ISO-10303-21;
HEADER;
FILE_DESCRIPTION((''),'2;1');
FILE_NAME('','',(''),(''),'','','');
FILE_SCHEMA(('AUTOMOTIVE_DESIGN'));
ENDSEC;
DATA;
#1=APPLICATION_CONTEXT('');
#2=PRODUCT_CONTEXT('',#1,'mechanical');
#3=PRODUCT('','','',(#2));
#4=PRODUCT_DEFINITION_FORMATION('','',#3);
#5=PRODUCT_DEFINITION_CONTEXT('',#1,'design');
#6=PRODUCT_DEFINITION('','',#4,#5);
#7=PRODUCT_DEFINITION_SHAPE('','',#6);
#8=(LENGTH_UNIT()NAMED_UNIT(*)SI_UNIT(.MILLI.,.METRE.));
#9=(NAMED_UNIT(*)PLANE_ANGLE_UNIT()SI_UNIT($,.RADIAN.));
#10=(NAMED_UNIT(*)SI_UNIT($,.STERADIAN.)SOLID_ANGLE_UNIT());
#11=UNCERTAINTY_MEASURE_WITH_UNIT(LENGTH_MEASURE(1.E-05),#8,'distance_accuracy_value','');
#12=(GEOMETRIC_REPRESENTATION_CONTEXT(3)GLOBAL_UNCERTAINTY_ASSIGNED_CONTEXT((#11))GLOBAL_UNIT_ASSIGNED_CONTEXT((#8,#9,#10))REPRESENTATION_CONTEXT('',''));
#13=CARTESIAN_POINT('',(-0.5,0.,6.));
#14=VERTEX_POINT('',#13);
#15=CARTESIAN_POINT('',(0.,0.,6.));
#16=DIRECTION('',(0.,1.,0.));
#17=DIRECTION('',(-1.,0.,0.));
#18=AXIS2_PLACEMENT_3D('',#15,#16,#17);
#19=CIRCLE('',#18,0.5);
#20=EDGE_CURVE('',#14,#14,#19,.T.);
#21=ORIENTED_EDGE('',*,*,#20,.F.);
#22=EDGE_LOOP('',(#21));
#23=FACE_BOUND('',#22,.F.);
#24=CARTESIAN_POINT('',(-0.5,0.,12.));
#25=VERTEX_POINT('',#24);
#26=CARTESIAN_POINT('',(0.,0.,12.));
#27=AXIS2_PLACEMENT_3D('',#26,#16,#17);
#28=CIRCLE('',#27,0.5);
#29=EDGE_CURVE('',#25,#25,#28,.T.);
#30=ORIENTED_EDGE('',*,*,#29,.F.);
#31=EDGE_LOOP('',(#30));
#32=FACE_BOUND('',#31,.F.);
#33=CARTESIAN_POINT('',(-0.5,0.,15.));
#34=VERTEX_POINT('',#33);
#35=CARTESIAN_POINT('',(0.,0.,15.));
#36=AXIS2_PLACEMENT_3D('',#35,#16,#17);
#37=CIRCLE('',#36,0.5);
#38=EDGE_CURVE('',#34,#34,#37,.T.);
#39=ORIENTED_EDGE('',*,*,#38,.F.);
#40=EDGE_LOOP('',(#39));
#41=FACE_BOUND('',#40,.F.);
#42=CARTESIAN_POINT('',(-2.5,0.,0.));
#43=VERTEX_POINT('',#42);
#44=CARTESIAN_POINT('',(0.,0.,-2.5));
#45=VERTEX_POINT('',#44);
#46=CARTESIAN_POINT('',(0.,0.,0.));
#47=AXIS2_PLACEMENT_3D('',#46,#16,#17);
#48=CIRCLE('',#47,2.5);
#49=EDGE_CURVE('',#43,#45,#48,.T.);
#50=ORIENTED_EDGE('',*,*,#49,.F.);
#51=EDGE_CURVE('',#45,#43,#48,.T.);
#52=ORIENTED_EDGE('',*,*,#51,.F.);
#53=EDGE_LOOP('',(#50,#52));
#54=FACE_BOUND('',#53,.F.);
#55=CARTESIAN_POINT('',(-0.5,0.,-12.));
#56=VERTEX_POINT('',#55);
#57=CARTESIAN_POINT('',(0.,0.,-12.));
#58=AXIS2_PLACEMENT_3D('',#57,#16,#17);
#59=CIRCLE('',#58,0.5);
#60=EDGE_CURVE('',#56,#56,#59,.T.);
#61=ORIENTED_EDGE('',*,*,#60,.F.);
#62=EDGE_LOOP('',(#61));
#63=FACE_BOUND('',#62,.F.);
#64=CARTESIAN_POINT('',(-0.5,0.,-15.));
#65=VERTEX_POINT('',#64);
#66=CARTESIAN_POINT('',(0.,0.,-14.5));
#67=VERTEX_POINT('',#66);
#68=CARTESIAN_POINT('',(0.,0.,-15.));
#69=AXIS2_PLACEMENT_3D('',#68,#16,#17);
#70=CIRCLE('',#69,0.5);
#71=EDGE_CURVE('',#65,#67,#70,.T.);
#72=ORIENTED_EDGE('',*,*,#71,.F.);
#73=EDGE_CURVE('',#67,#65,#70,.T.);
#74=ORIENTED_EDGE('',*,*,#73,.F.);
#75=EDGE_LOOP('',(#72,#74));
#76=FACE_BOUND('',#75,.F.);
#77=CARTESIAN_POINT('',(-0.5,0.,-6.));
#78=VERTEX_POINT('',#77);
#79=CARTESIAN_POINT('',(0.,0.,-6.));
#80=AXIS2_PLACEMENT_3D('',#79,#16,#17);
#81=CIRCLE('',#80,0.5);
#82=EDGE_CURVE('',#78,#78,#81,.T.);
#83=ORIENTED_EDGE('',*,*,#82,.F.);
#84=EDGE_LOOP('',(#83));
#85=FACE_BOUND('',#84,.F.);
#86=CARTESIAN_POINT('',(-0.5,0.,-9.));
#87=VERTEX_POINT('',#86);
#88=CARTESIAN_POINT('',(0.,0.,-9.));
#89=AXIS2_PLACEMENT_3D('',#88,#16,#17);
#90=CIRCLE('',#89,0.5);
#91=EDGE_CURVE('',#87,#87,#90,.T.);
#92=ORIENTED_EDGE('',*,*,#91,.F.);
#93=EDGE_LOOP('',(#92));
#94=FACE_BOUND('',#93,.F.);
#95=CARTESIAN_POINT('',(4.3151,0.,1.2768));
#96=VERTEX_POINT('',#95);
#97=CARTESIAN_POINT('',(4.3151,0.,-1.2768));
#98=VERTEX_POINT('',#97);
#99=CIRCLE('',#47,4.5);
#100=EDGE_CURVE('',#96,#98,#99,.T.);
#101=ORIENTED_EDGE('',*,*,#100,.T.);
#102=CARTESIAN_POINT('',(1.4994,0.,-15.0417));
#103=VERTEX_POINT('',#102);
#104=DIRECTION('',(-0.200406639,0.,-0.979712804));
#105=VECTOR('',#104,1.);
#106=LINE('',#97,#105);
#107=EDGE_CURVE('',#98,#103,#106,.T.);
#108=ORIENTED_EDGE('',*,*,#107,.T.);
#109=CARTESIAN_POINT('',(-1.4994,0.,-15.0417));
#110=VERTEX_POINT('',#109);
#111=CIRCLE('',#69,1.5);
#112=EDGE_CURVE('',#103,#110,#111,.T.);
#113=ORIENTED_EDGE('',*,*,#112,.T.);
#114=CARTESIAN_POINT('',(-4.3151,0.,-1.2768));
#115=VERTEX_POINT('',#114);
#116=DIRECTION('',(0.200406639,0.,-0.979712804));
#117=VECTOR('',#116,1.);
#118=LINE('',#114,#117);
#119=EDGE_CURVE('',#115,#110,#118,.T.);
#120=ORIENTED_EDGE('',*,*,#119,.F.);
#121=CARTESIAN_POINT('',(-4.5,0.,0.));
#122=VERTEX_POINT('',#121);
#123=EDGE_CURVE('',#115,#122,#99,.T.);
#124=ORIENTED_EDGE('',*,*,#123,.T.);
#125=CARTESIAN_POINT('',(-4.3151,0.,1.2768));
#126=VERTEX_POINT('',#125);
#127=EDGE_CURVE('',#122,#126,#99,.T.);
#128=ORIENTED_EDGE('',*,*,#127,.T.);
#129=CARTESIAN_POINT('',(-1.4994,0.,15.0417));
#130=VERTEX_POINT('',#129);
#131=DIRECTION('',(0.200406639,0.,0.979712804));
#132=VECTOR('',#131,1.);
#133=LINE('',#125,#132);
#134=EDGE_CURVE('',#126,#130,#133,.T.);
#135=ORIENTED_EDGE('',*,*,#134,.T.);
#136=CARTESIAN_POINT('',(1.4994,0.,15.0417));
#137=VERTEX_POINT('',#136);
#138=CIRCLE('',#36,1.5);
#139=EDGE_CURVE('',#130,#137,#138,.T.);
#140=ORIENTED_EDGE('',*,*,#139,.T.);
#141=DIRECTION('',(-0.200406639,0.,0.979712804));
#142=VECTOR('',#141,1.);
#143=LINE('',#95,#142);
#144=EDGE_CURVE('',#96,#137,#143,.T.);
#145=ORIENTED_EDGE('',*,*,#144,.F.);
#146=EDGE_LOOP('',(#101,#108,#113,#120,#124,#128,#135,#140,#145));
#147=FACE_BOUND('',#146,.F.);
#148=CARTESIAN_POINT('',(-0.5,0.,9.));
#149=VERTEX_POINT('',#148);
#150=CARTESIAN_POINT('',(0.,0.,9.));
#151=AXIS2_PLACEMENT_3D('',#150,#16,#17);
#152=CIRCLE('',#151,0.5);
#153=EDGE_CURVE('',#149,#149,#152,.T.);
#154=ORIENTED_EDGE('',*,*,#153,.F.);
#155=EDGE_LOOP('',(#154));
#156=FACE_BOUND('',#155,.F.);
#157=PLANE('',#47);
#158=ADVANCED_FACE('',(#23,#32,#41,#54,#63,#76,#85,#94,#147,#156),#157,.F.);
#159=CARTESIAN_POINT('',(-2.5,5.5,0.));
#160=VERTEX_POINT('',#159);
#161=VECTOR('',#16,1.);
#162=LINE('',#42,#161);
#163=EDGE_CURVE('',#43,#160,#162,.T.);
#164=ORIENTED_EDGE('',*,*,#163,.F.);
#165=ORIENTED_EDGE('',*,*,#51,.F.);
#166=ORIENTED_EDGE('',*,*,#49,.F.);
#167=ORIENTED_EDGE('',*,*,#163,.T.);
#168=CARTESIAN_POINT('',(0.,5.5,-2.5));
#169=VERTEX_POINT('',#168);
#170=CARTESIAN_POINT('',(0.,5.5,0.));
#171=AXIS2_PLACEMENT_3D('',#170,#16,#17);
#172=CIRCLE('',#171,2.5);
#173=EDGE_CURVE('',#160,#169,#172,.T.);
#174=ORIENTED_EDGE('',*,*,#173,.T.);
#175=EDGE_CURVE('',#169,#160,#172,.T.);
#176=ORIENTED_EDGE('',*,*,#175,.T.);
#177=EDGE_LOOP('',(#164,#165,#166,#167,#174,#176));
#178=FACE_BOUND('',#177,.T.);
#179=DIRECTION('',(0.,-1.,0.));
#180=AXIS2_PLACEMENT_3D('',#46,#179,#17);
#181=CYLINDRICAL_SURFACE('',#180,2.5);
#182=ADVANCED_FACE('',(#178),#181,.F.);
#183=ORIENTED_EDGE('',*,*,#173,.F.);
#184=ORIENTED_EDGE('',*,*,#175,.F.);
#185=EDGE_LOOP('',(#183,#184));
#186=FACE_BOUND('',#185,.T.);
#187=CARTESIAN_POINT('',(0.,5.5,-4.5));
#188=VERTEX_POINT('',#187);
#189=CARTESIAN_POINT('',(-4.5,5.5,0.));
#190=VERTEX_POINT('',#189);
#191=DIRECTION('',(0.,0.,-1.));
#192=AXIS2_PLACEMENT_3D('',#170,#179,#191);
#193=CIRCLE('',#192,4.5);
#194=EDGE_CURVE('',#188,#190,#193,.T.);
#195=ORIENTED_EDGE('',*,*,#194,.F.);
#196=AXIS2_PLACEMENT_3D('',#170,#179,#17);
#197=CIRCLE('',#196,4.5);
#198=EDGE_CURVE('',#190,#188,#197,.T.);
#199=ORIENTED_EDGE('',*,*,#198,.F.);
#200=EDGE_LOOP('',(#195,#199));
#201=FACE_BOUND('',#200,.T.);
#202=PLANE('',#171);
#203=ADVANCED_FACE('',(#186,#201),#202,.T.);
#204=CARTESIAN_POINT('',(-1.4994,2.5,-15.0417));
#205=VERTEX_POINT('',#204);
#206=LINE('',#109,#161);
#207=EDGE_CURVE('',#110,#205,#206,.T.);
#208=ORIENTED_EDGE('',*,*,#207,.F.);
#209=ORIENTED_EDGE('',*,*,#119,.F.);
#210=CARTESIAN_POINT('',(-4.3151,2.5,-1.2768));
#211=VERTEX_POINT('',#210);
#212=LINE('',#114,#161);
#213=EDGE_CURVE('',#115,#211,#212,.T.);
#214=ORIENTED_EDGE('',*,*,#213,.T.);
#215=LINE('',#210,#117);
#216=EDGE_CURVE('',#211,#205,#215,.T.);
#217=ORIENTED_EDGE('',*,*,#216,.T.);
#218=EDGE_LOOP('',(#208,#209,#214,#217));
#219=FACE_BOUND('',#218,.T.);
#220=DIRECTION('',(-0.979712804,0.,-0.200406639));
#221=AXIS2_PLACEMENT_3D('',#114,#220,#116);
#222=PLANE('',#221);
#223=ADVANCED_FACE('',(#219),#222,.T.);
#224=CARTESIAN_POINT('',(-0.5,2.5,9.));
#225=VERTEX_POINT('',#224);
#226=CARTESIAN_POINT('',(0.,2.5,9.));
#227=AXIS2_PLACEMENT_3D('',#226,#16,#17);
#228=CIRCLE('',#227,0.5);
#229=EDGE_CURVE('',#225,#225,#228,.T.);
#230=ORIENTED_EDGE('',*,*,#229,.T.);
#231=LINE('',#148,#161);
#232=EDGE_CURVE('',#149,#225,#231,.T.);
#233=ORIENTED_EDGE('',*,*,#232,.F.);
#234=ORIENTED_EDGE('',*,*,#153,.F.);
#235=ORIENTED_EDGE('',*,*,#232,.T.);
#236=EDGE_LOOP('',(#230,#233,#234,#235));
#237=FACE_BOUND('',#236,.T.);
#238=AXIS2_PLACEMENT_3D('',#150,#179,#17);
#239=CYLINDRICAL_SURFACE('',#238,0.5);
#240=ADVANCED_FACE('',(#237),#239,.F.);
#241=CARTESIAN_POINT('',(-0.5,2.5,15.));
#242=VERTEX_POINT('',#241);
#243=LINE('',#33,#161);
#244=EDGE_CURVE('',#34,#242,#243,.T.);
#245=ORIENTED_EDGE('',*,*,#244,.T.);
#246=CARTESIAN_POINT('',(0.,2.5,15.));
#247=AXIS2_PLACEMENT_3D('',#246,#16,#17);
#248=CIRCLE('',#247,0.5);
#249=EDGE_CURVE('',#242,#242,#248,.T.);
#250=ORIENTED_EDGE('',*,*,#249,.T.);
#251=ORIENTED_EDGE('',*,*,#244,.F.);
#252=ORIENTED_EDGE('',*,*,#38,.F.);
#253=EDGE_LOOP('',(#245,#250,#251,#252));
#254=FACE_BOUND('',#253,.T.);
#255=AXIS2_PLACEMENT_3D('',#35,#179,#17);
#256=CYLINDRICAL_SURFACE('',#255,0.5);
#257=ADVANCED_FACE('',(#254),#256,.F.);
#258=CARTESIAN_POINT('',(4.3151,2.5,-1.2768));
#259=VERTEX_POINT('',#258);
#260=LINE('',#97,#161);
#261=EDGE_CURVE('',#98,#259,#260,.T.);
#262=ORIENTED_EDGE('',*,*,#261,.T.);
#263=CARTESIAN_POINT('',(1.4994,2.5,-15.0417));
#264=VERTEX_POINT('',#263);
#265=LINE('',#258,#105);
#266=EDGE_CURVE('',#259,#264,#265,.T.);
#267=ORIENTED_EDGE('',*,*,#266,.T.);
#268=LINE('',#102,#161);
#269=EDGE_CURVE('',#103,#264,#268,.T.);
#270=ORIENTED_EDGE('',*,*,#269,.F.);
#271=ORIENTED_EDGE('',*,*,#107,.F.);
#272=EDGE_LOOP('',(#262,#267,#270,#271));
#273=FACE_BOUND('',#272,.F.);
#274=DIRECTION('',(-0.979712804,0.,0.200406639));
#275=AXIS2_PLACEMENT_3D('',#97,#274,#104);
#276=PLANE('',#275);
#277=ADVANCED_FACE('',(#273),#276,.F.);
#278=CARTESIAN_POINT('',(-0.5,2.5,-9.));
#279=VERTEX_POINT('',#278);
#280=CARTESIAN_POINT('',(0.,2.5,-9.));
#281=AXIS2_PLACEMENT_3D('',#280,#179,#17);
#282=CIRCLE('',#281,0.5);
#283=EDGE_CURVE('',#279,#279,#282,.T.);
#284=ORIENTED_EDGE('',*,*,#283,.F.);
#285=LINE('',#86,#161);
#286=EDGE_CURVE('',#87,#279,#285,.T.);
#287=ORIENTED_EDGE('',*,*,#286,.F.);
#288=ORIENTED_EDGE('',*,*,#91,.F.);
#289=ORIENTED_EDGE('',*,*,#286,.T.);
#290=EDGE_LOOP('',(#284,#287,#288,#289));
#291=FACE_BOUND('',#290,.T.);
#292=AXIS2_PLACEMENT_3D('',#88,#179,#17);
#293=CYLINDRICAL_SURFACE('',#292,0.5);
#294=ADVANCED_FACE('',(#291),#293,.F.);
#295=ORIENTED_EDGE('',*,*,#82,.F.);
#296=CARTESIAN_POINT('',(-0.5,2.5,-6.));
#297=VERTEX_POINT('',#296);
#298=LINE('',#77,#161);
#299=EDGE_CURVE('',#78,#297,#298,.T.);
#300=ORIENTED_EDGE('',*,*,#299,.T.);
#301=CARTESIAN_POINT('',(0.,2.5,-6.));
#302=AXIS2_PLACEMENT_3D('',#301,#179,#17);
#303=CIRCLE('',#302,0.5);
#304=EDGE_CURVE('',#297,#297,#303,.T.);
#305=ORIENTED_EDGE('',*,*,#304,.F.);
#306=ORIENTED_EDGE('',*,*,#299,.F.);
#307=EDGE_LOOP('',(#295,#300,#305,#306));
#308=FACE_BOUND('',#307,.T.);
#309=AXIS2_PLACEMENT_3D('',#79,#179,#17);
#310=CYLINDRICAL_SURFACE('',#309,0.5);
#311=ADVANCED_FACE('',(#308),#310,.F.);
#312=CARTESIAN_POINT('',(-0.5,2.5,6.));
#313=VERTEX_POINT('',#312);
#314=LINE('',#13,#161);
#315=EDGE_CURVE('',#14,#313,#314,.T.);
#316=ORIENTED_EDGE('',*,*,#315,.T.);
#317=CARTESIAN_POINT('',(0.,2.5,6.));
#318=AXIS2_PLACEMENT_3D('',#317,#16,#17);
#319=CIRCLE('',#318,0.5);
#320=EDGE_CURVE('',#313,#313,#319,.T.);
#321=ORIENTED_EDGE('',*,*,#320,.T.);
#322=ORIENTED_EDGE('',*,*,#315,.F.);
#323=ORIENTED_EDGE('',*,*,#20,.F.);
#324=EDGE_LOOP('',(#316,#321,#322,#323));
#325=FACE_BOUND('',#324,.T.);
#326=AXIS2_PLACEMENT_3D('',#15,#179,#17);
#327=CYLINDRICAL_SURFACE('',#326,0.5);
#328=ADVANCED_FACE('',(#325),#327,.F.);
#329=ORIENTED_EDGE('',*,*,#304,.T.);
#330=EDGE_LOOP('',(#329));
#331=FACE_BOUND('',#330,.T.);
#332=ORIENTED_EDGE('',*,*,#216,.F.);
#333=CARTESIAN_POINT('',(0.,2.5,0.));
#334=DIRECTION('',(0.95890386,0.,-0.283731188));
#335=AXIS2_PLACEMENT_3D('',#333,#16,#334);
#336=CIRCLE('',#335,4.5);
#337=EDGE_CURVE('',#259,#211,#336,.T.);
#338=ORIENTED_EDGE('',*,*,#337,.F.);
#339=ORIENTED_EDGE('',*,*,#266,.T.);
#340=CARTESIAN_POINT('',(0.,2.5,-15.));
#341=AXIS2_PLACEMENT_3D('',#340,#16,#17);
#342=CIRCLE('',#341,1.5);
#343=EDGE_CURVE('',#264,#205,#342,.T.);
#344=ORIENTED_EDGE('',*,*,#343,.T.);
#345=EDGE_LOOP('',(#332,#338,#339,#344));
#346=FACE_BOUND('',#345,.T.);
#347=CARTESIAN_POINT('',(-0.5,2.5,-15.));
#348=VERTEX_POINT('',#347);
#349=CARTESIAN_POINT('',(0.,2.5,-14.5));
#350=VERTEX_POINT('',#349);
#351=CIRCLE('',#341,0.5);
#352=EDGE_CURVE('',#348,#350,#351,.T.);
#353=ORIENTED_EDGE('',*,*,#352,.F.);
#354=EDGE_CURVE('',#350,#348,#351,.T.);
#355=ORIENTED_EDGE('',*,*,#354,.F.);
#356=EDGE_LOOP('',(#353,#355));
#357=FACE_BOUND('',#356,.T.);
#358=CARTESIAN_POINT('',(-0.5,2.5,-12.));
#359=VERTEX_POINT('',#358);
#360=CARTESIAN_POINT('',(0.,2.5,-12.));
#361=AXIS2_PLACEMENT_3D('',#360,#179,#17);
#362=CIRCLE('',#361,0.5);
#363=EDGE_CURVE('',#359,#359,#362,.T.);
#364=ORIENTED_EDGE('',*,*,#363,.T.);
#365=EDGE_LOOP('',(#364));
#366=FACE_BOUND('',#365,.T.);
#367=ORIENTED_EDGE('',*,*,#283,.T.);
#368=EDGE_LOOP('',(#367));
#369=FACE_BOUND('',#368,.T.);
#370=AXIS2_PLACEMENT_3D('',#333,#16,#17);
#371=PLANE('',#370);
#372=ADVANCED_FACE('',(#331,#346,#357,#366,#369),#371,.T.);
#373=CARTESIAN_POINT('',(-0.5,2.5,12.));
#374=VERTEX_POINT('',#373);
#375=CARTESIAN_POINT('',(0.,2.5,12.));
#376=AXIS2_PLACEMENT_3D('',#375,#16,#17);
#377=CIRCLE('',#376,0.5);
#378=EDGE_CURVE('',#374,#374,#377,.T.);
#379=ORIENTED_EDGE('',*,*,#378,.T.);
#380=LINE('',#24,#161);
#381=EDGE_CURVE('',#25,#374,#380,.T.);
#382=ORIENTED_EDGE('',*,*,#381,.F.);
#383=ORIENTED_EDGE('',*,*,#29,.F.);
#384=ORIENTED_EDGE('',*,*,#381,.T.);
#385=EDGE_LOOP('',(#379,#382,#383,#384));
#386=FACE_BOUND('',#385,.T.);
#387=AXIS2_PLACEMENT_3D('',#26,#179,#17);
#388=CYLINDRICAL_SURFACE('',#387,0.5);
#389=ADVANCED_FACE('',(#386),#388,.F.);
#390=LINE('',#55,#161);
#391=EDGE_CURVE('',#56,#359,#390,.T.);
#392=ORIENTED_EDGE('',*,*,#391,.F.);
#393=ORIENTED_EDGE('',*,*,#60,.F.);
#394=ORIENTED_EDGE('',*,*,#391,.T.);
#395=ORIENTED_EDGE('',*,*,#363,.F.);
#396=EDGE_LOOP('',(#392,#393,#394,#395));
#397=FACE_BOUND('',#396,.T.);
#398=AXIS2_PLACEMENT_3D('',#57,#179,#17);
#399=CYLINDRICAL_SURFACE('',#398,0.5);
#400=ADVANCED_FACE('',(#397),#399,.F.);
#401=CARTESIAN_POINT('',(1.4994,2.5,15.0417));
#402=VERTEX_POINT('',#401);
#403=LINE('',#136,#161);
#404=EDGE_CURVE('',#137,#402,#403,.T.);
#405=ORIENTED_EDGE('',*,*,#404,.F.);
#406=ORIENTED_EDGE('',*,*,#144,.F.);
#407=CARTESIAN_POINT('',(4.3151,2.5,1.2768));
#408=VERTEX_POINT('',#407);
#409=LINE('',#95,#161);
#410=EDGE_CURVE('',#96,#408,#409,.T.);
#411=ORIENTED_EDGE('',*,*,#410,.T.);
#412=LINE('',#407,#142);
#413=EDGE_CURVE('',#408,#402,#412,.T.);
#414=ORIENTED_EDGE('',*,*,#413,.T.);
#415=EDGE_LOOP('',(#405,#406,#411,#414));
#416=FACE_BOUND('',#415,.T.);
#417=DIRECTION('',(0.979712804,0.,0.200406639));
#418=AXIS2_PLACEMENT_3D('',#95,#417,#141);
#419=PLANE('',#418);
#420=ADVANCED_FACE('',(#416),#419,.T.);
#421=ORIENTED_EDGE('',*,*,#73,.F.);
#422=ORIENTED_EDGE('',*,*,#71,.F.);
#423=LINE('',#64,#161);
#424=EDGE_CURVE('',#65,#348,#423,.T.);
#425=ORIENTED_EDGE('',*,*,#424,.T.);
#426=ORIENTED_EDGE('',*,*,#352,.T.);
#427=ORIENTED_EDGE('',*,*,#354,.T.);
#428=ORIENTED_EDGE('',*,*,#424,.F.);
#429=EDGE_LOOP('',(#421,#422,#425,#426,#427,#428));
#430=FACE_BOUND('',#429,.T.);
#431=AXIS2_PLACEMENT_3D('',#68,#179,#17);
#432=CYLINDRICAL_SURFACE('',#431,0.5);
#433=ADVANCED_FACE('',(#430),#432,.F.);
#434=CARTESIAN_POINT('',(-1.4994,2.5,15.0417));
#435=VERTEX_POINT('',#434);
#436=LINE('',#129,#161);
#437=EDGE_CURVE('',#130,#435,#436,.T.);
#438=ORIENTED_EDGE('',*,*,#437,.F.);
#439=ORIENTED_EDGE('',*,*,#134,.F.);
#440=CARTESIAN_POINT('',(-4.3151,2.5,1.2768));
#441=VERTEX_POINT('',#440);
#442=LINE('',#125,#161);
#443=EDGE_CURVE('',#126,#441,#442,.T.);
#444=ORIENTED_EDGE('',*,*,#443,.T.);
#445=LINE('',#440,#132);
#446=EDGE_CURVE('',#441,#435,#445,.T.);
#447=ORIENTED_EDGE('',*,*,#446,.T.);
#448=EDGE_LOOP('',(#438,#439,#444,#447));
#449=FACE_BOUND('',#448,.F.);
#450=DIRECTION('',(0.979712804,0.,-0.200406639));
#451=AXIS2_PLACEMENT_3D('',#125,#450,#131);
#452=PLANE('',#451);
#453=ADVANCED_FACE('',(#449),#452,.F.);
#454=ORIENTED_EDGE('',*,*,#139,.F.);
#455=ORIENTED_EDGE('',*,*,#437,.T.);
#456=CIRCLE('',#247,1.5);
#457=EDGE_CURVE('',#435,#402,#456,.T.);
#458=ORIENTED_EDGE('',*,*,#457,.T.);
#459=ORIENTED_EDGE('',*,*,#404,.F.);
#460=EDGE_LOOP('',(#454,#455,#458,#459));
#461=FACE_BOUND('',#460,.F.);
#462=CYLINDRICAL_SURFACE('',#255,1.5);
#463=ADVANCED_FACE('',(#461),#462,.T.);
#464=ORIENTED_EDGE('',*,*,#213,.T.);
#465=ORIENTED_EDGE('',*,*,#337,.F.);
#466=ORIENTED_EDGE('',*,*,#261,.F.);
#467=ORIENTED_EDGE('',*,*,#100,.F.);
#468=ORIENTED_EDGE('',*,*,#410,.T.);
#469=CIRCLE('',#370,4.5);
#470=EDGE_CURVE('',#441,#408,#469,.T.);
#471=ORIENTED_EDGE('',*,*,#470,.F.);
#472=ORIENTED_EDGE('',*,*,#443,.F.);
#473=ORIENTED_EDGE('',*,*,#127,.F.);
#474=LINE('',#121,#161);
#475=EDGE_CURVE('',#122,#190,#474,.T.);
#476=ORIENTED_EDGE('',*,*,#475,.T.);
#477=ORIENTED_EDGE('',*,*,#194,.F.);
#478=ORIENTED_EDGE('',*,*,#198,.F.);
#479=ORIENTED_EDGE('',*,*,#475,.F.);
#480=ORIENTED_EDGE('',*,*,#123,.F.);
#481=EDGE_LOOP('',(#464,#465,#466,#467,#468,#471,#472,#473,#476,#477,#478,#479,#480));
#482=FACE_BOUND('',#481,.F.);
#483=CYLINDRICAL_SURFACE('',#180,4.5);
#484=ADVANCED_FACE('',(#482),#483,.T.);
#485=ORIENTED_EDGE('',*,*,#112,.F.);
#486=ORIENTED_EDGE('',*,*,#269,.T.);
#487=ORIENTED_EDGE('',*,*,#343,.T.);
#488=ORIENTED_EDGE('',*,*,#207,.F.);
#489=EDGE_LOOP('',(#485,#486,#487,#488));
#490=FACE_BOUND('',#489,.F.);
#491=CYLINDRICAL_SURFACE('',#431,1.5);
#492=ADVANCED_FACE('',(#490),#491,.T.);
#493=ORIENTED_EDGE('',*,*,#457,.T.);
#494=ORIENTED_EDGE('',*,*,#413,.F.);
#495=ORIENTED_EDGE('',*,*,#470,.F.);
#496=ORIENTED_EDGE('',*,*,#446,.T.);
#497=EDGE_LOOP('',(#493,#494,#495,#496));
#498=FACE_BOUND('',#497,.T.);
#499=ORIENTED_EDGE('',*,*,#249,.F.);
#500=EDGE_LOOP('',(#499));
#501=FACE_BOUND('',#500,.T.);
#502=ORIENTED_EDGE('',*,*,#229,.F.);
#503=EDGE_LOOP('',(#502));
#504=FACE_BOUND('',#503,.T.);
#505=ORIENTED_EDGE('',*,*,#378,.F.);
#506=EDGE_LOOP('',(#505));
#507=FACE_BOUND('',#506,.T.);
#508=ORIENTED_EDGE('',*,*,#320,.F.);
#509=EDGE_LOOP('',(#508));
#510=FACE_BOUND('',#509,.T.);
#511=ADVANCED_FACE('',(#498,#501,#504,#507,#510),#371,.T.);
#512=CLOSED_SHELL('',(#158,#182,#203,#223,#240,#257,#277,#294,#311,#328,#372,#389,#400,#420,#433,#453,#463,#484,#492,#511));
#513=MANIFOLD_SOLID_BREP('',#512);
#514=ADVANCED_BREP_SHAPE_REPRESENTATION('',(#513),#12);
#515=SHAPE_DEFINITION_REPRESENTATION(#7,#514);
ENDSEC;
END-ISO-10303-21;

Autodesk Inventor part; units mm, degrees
ref_plane "YZ Plane" through (0, 0, 0) normal (1, 0, 0) x (0, 1, 0)
ref_plane "XZ Plane" through (0, 0, 0) normal (0, 1, 0) x (-1, 0, 0)
ref_plane "XY Plane" through (0, 0, 0) normal (0, 0, 1) x (1, 0, 0)
sketch "Sketch1" plane through (0, 0, 0) normal (0, 1, 0) x (-1, 0, 0)
  circle A0 centre (0, 0) radius 4.5
  line L0 (0, 0) -> (0, -15)
  circle A1 centre (0, -15) radius 0.5
  circle A2 centre (0, -15) radius 1.5
  line L1 (4.3151, -1.2768) -> (1.4994, -15.0417)
  line L2 (-4.3151, -1.2768) -> (-1.4994, -15.0417)
  circle A3 centre (0, -6) radius 0.5
  circle A4 centre (0, -9) radius 0.5
  circle A5 centre (0, -12) radius 0.5
  line L3 (0, 0) -> (-1.4994, 0)
  circle A6 centre (0, 15) radius 0.5
  circle A7 centre (0, 15) radius 1.5
  line L4 (4.3151, 1.2768) -> (1.4994, 15.0417)
  line L5 (-4.3151, 1.2768) -> (-1.4994, 15.0417)
  circle A8 centre (0, 6) radius 0.5
  circle A9 centre (0, 9) radius 0.5
  circle A10 centre (0, 12) radius 0.5
  circle A11 centre (0, 0) radius 2.5
  dimension "d0" = 9
  dimension "d3" = 3
  dimension "d1" = 15
  dimension "d2" = 1
  dimension "d4" = 1
  dimension "d5" = 1
  dimension "d6" = 1
  dimension "d8" = 3
  dimension "d9" = 3
  dimension "d10" = 3
  dimension "d13" = 5
extrude "Extrusion1" add sketch "Sketch1" along normal blind 2.5 contours A0 L5 A7 L4 | L1 A2 L0 A5 A4 A3 A0 | A7 | L0 A3 A4 A5 A2 L2 A0 | A2
extrude "Extrusion2" add sketch "Sketch1" along normal blind 5.5 contours A0
properties part number "180Horn"
